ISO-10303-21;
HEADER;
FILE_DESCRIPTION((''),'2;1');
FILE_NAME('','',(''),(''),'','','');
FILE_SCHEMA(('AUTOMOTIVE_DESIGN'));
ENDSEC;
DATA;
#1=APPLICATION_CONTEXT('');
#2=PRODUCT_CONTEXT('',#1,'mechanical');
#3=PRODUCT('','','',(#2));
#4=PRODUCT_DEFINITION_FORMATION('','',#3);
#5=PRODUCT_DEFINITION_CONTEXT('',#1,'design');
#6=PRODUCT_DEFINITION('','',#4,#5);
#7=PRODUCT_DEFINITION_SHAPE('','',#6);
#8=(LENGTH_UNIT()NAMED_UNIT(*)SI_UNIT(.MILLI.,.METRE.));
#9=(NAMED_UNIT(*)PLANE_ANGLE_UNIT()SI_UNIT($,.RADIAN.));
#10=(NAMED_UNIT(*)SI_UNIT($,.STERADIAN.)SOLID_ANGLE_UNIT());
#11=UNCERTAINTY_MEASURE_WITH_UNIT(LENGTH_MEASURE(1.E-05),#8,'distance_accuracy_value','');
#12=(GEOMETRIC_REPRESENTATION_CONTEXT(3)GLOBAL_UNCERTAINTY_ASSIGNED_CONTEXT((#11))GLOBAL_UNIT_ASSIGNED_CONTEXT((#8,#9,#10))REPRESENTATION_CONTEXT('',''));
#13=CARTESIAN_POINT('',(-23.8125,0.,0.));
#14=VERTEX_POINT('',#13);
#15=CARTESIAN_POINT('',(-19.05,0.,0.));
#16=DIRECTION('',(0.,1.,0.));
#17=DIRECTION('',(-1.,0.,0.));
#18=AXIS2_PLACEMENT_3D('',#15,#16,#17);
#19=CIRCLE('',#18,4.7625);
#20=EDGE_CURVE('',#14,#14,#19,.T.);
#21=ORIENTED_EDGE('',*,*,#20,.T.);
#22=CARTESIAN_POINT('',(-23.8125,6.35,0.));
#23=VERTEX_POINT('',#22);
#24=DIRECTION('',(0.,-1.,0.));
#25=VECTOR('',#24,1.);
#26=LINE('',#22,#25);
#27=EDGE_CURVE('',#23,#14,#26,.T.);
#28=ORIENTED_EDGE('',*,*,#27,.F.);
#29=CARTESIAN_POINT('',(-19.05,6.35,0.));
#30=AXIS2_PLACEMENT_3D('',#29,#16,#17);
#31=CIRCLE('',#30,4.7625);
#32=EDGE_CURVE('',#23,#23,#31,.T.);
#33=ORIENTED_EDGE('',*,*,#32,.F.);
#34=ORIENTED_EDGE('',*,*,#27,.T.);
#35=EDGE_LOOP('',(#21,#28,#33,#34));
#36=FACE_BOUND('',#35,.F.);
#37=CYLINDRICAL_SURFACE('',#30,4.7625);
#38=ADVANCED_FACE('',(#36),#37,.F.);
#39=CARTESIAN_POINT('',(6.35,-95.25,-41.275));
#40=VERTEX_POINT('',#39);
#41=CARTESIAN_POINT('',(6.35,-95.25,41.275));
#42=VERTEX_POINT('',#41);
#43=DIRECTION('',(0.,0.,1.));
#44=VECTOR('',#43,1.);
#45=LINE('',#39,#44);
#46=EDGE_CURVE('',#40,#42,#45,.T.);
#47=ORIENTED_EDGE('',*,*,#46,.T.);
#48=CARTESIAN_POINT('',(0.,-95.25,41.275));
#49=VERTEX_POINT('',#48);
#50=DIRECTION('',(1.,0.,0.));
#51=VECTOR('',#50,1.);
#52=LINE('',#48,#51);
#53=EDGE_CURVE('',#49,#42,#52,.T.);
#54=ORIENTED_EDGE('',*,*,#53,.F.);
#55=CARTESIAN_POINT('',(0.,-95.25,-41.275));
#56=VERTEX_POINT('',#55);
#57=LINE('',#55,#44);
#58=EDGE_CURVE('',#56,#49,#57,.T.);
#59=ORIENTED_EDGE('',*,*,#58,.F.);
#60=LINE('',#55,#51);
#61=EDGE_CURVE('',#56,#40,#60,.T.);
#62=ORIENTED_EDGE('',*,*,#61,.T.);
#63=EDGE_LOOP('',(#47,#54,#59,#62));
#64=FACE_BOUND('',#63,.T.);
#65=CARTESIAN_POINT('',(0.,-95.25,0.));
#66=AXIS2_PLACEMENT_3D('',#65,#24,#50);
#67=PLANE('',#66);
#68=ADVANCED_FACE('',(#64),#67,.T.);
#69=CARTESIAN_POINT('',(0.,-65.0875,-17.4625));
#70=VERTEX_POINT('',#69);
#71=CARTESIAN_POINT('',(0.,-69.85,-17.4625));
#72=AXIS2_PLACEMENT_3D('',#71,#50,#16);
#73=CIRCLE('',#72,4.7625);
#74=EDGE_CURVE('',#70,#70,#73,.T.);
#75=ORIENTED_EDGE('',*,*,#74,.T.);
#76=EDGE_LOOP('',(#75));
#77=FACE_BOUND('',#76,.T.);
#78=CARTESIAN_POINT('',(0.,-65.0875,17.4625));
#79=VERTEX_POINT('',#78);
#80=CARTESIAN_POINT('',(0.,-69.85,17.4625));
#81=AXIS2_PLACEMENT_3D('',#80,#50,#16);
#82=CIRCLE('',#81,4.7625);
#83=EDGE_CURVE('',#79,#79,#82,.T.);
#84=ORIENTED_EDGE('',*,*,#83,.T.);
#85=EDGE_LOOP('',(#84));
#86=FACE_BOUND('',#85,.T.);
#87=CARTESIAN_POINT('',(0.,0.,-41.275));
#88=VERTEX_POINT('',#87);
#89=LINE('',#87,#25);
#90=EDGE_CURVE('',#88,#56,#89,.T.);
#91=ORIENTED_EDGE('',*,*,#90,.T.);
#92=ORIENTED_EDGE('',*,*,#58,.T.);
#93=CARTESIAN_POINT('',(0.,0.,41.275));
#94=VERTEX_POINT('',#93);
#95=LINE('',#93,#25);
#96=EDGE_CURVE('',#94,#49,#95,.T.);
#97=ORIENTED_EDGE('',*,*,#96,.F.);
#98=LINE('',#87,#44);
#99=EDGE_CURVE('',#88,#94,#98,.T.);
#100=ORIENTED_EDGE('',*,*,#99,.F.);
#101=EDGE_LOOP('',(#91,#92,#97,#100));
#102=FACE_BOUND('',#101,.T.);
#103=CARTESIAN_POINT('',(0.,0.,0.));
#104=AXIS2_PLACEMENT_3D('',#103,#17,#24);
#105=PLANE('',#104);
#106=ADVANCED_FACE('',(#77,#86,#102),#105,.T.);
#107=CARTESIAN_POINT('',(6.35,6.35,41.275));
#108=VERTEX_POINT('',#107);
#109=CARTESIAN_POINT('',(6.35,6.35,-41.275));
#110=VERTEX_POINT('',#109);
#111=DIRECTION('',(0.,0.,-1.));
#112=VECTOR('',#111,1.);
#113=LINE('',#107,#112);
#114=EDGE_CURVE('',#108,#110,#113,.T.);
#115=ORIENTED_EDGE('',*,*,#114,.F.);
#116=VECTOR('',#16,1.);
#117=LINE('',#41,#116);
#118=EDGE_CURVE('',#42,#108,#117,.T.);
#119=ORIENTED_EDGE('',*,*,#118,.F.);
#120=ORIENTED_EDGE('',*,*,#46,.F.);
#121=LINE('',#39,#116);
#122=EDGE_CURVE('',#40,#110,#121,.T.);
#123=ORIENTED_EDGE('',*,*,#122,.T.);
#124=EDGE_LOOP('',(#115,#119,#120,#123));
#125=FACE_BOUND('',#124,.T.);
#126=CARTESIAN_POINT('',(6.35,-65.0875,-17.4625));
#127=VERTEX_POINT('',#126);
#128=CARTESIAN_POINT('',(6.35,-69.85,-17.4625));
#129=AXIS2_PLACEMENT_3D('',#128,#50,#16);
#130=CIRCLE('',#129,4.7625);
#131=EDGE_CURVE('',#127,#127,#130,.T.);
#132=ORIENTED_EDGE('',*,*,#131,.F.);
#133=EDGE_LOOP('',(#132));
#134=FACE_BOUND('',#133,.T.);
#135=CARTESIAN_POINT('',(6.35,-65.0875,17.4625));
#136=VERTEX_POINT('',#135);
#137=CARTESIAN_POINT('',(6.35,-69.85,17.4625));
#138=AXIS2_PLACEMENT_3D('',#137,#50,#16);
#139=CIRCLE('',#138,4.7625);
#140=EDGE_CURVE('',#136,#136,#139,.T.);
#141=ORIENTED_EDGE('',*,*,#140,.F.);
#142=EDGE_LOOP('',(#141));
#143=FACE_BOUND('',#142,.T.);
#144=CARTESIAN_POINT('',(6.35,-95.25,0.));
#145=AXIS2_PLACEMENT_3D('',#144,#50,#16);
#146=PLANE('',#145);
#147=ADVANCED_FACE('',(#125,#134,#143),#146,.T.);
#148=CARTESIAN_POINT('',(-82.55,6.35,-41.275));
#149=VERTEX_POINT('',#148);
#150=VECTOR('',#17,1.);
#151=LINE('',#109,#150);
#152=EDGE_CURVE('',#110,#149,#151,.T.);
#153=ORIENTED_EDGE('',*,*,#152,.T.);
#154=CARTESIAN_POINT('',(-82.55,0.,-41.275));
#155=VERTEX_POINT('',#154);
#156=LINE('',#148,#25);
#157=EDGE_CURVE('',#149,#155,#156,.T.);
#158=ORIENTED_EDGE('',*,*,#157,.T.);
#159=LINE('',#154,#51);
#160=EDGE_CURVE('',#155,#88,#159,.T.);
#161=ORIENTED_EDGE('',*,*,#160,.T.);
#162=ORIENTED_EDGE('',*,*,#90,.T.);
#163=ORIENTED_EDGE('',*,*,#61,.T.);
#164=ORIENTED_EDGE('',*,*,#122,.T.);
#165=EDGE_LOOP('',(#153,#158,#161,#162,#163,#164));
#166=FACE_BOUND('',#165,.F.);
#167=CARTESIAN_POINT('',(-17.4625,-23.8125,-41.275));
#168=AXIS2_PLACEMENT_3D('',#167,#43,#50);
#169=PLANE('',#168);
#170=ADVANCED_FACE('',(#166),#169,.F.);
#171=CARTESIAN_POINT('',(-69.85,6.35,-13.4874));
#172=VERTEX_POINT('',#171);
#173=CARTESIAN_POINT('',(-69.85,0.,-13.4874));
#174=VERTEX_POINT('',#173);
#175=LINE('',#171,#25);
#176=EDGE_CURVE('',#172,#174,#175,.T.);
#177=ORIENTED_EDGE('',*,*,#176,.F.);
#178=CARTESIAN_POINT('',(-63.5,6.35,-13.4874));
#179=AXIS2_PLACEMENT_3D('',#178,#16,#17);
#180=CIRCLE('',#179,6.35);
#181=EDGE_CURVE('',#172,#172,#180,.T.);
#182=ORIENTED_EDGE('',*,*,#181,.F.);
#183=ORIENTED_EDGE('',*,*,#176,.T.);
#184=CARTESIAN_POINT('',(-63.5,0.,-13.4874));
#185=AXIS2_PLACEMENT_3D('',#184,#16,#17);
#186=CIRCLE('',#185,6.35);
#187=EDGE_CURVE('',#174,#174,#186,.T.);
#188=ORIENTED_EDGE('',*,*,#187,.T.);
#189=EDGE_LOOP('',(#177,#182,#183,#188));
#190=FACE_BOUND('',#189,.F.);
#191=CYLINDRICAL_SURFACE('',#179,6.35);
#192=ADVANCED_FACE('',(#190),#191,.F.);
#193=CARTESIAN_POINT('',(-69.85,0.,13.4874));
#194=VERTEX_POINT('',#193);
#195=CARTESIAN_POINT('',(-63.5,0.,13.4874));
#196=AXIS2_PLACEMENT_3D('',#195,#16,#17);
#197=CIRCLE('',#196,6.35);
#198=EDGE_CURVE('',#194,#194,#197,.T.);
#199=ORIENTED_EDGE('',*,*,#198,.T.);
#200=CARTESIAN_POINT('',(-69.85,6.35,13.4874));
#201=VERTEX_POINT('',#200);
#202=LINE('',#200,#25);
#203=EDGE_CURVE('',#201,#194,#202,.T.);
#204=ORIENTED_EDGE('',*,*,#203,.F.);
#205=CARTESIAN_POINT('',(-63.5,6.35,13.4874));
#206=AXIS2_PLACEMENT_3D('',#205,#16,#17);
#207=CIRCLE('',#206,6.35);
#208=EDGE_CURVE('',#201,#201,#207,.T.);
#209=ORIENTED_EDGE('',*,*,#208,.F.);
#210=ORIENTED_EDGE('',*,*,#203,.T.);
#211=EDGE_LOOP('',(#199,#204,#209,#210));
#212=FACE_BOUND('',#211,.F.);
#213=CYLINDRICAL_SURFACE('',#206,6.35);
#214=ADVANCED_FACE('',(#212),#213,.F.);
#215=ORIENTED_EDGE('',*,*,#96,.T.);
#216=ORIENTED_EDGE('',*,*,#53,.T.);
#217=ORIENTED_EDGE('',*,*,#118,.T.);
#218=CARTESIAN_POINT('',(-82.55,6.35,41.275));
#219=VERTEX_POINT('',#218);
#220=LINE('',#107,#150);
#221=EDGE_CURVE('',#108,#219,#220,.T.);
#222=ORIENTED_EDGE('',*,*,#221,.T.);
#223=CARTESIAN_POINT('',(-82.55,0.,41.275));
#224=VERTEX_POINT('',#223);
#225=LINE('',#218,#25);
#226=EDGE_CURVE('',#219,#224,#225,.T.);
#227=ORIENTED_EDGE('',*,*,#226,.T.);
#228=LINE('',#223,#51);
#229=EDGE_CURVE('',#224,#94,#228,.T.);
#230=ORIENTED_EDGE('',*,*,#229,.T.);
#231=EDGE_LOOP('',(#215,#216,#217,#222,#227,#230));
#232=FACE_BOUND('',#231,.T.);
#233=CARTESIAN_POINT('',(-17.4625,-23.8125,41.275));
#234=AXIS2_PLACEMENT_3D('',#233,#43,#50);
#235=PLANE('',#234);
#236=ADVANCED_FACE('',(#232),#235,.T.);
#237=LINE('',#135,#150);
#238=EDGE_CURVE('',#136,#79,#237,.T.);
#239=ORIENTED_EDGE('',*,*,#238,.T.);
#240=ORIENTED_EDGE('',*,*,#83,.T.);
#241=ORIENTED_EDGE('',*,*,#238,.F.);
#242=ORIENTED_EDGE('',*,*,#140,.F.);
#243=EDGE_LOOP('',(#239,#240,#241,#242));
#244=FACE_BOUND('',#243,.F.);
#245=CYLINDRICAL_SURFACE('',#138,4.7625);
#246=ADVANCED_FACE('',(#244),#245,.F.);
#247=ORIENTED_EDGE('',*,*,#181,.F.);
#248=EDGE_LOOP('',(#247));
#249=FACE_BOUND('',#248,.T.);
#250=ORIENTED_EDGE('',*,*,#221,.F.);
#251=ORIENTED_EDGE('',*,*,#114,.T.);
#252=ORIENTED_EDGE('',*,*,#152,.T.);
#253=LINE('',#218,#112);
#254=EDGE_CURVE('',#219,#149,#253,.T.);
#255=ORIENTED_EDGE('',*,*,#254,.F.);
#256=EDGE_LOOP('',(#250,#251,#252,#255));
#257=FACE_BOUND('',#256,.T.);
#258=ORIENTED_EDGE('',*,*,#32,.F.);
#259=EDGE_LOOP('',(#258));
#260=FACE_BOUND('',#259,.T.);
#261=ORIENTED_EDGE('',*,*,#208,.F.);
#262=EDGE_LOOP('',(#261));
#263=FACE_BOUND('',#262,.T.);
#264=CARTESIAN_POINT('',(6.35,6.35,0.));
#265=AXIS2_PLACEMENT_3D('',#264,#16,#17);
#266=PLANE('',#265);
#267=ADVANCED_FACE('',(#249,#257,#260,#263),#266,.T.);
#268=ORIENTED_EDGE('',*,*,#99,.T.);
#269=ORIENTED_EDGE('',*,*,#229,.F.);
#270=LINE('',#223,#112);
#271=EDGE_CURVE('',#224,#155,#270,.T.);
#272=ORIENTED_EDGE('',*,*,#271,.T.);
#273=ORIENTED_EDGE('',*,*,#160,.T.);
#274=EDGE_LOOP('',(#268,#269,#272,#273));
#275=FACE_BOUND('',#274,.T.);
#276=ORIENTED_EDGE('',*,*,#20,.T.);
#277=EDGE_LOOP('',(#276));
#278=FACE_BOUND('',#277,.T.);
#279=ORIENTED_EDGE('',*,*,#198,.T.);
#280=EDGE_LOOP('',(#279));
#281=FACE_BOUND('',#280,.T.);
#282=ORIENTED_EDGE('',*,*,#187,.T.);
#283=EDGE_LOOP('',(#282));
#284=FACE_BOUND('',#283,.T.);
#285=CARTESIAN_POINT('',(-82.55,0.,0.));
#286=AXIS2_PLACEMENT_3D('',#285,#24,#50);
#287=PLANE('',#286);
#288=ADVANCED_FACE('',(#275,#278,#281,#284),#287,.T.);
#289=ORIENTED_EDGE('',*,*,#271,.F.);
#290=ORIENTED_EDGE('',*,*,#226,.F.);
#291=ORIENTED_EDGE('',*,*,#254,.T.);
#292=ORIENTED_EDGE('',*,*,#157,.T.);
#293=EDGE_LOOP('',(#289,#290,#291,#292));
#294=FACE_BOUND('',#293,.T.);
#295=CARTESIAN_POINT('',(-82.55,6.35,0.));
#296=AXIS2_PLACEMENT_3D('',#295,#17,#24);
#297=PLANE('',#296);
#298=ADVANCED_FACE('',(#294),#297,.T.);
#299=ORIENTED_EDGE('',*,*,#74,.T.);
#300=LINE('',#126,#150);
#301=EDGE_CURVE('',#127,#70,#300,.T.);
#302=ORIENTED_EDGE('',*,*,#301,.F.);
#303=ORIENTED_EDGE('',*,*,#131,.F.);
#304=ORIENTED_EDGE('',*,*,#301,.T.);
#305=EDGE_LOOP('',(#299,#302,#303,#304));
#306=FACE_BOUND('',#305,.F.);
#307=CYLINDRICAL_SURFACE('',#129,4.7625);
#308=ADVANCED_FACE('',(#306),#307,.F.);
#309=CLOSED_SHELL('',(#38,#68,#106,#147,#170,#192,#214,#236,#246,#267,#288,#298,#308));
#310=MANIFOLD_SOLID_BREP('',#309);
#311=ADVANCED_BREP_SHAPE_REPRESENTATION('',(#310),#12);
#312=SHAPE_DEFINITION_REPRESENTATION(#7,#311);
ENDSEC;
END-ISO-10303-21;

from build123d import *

# Parameters (mm, degrees)
F1_DEPTH = 41.275
F2_R     = 4.7625
F3_DEPTH = 88.901
F4_R     = 6.35
F4_R_2   = 4.7625
F5_DEPTH = 101.601


with BuildPart() as f1:
    # F0 (on Top) → F1 (new body, symmetric)
    with BuildSketch(Plane.XY):
        Polygon((-82.55, 0), (0, 0), (0, -95.25), (6.35, -95.25), (6.35, 6.35), (-82.55, 6.35), align=None)
    extrude(amount=F1_DEPTH, both=True)

    # F2 (on face) → F3 (cut, through all)
    with BuildSketch(Plane.YZ.offset(6.35)):
        with Locations((-69.85, 17.4625)):
            Circle(F2_R)
        with Locations((-69.85, -17.4625)):
            Circle(F2_R)
    extrude(amount=-F3_DEPTH, mode=Mode.SUBTRACT)

    # F4 (on face) → F5 (cut, through all)
    with BuildSketch(Plane(origin=(0, 6.35, 0), x_dir=(-1, 0, 0), z_dir=(0, 1, 0))):
        with Locations((63.5, 13.4874)):
            Circle(F4_R)
        with Locations((63.5, -13.4874)):
            Circle(F4_R)
        with Locations((19.05, 0)):
            Circle(F4_R_2)
    extrude(amount=-F5_DEPTH, mode=Mode.SUBTRACT)


solid = f1.part
